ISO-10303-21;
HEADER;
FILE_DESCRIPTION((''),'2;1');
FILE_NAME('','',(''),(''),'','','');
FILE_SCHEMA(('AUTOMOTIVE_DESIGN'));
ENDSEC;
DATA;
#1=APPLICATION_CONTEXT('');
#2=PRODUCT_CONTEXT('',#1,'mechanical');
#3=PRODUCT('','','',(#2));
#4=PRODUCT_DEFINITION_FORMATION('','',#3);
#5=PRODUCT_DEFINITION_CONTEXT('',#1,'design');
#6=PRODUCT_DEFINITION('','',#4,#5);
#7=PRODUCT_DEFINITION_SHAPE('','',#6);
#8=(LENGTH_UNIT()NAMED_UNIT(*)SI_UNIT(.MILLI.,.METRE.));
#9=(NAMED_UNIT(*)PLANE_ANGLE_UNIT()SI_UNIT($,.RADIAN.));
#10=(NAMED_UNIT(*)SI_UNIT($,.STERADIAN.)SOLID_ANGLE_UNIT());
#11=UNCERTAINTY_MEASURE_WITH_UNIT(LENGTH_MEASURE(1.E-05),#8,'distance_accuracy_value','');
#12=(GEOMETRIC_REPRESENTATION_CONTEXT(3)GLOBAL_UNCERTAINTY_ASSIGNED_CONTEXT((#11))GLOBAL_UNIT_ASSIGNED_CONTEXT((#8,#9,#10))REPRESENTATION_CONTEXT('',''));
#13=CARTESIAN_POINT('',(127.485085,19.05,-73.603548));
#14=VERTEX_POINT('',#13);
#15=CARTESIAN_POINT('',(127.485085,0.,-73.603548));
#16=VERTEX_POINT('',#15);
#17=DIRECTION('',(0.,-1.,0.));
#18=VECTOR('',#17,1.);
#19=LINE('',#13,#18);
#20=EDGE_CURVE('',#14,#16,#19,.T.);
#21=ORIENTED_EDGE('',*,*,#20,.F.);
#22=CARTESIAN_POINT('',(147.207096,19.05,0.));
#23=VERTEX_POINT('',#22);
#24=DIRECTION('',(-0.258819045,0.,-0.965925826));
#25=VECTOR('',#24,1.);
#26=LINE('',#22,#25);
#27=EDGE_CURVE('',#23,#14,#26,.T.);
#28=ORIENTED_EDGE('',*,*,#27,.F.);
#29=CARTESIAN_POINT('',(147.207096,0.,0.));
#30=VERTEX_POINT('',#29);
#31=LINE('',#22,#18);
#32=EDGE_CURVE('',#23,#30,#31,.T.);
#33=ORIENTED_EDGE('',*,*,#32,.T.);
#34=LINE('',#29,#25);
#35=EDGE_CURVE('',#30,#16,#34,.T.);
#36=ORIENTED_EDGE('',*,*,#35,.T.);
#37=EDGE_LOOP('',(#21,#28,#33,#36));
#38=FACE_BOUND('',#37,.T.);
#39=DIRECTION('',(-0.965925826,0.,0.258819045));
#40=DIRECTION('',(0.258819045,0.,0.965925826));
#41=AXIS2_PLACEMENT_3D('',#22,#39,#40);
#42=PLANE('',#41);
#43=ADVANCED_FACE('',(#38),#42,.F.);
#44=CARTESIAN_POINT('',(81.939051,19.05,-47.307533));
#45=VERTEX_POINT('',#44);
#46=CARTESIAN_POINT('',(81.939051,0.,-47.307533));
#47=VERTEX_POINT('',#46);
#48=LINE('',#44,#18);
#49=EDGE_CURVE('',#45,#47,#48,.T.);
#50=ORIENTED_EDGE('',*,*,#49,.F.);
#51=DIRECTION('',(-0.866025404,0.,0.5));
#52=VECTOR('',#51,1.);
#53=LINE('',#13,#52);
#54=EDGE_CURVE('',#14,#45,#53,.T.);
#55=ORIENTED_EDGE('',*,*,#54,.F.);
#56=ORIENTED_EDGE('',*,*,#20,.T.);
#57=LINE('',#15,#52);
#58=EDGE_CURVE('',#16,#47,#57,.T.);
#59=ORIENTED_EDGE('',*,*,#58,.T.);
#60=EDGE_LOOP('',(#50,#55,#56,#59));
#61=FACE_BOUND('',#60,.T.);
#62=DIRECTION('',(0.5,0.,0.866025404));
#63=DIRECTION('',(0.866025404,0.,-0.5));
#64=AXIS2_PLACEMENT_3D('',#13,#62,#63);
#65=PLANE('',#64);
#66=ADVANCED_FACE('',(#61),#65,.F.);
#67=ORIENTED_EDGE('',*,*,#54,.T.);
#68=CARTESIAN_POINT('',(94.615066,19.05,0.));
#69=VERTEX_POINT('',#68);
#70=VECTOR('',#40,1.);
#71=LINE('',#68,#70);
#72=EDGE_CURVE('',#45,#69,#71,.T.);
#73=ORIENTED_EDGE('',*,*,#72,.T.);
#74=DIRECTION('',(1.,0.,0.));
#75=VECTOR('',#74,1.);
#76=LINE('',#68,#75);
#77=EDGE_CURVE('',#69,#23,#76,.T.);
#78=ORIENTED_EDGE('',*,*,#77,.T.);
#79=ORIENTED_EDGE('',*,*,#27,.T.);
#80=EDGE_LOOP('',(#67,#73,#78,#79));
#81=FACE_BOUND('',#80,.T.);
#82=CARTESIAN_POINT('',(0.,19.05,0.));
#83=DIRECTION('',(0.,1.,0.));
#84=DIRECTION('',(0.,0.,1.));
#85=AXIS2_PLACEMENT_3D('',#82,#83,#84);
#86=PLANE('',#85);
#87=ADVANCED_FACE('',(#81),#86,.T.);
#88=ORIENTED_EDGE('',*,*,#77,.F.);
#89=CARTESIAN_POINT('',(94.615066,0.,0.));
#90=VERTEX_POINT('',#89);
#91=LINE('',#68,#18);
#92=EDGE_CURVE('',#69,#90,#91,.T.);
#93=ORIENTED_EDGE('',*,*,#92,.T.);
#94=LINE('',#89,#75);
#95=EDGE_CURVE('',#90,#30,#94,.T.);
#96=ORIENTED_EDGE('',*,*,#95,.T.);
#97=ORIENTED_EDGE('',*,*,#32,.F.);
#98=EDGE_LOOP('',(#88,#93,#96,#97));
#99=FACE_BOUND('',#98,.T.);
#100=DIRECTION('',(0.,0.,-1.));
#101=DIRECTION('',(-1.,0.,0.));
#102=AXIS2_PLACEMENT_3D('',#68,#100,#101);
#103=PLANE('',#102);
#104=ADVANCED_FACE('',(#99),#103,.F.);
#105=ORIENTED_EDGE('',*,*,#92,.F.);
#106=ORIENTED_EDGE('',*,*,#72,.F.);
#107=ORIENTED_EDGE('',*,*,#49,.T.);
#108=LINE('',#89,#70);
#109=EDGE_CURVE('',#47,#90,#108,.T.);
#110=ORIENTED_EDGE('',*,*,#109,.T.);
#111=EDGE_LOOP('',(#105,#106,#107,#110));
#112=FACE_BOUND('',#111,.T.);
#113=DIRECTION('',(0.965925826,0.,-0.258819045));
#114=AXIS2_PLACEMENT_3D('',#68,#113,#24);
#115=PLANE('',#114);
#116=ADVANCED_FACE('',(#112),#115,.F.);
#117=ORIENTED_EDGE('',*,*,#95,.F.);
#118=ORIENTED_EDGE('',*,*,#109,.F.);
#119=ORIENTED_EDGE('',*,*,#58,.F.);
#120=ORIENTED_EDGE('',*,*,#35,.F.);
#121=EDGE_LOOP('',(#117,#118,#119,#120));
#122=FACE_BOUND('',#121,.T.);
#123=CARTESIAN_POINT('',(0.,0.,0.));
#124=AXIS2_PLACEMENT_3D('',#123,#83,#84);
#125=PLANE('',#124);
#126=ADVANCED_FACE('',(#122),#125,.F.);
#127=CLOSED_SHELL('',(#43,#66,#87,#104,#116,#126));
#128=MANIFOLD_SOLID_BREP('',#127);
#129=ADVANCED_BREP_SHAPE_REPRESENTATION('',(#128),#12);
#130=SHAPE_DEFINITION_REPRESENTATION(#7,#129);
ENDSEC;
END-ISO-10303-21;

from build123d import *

# Parameters (mm, degrees)
BOSS_EXTRUDE1_DEPTH = 19.05


with BuildPart() as part:
    # Sketch1 → Boss-Extrude1 (new body)
    with BuildSketch(Plane(origin=(0, 0, 0), x_dir=(1, 0, 0), z_dir=(0, 1, 0))):
        Polygon((147.207095926, 0), (127.48508469, 73.603547963), (81.939050704, 47.307532981), (94.615065962, 0), align=None)
    extrude(amount=BOSS_EXTRUDE1_DEPTH)


solid = part.part
